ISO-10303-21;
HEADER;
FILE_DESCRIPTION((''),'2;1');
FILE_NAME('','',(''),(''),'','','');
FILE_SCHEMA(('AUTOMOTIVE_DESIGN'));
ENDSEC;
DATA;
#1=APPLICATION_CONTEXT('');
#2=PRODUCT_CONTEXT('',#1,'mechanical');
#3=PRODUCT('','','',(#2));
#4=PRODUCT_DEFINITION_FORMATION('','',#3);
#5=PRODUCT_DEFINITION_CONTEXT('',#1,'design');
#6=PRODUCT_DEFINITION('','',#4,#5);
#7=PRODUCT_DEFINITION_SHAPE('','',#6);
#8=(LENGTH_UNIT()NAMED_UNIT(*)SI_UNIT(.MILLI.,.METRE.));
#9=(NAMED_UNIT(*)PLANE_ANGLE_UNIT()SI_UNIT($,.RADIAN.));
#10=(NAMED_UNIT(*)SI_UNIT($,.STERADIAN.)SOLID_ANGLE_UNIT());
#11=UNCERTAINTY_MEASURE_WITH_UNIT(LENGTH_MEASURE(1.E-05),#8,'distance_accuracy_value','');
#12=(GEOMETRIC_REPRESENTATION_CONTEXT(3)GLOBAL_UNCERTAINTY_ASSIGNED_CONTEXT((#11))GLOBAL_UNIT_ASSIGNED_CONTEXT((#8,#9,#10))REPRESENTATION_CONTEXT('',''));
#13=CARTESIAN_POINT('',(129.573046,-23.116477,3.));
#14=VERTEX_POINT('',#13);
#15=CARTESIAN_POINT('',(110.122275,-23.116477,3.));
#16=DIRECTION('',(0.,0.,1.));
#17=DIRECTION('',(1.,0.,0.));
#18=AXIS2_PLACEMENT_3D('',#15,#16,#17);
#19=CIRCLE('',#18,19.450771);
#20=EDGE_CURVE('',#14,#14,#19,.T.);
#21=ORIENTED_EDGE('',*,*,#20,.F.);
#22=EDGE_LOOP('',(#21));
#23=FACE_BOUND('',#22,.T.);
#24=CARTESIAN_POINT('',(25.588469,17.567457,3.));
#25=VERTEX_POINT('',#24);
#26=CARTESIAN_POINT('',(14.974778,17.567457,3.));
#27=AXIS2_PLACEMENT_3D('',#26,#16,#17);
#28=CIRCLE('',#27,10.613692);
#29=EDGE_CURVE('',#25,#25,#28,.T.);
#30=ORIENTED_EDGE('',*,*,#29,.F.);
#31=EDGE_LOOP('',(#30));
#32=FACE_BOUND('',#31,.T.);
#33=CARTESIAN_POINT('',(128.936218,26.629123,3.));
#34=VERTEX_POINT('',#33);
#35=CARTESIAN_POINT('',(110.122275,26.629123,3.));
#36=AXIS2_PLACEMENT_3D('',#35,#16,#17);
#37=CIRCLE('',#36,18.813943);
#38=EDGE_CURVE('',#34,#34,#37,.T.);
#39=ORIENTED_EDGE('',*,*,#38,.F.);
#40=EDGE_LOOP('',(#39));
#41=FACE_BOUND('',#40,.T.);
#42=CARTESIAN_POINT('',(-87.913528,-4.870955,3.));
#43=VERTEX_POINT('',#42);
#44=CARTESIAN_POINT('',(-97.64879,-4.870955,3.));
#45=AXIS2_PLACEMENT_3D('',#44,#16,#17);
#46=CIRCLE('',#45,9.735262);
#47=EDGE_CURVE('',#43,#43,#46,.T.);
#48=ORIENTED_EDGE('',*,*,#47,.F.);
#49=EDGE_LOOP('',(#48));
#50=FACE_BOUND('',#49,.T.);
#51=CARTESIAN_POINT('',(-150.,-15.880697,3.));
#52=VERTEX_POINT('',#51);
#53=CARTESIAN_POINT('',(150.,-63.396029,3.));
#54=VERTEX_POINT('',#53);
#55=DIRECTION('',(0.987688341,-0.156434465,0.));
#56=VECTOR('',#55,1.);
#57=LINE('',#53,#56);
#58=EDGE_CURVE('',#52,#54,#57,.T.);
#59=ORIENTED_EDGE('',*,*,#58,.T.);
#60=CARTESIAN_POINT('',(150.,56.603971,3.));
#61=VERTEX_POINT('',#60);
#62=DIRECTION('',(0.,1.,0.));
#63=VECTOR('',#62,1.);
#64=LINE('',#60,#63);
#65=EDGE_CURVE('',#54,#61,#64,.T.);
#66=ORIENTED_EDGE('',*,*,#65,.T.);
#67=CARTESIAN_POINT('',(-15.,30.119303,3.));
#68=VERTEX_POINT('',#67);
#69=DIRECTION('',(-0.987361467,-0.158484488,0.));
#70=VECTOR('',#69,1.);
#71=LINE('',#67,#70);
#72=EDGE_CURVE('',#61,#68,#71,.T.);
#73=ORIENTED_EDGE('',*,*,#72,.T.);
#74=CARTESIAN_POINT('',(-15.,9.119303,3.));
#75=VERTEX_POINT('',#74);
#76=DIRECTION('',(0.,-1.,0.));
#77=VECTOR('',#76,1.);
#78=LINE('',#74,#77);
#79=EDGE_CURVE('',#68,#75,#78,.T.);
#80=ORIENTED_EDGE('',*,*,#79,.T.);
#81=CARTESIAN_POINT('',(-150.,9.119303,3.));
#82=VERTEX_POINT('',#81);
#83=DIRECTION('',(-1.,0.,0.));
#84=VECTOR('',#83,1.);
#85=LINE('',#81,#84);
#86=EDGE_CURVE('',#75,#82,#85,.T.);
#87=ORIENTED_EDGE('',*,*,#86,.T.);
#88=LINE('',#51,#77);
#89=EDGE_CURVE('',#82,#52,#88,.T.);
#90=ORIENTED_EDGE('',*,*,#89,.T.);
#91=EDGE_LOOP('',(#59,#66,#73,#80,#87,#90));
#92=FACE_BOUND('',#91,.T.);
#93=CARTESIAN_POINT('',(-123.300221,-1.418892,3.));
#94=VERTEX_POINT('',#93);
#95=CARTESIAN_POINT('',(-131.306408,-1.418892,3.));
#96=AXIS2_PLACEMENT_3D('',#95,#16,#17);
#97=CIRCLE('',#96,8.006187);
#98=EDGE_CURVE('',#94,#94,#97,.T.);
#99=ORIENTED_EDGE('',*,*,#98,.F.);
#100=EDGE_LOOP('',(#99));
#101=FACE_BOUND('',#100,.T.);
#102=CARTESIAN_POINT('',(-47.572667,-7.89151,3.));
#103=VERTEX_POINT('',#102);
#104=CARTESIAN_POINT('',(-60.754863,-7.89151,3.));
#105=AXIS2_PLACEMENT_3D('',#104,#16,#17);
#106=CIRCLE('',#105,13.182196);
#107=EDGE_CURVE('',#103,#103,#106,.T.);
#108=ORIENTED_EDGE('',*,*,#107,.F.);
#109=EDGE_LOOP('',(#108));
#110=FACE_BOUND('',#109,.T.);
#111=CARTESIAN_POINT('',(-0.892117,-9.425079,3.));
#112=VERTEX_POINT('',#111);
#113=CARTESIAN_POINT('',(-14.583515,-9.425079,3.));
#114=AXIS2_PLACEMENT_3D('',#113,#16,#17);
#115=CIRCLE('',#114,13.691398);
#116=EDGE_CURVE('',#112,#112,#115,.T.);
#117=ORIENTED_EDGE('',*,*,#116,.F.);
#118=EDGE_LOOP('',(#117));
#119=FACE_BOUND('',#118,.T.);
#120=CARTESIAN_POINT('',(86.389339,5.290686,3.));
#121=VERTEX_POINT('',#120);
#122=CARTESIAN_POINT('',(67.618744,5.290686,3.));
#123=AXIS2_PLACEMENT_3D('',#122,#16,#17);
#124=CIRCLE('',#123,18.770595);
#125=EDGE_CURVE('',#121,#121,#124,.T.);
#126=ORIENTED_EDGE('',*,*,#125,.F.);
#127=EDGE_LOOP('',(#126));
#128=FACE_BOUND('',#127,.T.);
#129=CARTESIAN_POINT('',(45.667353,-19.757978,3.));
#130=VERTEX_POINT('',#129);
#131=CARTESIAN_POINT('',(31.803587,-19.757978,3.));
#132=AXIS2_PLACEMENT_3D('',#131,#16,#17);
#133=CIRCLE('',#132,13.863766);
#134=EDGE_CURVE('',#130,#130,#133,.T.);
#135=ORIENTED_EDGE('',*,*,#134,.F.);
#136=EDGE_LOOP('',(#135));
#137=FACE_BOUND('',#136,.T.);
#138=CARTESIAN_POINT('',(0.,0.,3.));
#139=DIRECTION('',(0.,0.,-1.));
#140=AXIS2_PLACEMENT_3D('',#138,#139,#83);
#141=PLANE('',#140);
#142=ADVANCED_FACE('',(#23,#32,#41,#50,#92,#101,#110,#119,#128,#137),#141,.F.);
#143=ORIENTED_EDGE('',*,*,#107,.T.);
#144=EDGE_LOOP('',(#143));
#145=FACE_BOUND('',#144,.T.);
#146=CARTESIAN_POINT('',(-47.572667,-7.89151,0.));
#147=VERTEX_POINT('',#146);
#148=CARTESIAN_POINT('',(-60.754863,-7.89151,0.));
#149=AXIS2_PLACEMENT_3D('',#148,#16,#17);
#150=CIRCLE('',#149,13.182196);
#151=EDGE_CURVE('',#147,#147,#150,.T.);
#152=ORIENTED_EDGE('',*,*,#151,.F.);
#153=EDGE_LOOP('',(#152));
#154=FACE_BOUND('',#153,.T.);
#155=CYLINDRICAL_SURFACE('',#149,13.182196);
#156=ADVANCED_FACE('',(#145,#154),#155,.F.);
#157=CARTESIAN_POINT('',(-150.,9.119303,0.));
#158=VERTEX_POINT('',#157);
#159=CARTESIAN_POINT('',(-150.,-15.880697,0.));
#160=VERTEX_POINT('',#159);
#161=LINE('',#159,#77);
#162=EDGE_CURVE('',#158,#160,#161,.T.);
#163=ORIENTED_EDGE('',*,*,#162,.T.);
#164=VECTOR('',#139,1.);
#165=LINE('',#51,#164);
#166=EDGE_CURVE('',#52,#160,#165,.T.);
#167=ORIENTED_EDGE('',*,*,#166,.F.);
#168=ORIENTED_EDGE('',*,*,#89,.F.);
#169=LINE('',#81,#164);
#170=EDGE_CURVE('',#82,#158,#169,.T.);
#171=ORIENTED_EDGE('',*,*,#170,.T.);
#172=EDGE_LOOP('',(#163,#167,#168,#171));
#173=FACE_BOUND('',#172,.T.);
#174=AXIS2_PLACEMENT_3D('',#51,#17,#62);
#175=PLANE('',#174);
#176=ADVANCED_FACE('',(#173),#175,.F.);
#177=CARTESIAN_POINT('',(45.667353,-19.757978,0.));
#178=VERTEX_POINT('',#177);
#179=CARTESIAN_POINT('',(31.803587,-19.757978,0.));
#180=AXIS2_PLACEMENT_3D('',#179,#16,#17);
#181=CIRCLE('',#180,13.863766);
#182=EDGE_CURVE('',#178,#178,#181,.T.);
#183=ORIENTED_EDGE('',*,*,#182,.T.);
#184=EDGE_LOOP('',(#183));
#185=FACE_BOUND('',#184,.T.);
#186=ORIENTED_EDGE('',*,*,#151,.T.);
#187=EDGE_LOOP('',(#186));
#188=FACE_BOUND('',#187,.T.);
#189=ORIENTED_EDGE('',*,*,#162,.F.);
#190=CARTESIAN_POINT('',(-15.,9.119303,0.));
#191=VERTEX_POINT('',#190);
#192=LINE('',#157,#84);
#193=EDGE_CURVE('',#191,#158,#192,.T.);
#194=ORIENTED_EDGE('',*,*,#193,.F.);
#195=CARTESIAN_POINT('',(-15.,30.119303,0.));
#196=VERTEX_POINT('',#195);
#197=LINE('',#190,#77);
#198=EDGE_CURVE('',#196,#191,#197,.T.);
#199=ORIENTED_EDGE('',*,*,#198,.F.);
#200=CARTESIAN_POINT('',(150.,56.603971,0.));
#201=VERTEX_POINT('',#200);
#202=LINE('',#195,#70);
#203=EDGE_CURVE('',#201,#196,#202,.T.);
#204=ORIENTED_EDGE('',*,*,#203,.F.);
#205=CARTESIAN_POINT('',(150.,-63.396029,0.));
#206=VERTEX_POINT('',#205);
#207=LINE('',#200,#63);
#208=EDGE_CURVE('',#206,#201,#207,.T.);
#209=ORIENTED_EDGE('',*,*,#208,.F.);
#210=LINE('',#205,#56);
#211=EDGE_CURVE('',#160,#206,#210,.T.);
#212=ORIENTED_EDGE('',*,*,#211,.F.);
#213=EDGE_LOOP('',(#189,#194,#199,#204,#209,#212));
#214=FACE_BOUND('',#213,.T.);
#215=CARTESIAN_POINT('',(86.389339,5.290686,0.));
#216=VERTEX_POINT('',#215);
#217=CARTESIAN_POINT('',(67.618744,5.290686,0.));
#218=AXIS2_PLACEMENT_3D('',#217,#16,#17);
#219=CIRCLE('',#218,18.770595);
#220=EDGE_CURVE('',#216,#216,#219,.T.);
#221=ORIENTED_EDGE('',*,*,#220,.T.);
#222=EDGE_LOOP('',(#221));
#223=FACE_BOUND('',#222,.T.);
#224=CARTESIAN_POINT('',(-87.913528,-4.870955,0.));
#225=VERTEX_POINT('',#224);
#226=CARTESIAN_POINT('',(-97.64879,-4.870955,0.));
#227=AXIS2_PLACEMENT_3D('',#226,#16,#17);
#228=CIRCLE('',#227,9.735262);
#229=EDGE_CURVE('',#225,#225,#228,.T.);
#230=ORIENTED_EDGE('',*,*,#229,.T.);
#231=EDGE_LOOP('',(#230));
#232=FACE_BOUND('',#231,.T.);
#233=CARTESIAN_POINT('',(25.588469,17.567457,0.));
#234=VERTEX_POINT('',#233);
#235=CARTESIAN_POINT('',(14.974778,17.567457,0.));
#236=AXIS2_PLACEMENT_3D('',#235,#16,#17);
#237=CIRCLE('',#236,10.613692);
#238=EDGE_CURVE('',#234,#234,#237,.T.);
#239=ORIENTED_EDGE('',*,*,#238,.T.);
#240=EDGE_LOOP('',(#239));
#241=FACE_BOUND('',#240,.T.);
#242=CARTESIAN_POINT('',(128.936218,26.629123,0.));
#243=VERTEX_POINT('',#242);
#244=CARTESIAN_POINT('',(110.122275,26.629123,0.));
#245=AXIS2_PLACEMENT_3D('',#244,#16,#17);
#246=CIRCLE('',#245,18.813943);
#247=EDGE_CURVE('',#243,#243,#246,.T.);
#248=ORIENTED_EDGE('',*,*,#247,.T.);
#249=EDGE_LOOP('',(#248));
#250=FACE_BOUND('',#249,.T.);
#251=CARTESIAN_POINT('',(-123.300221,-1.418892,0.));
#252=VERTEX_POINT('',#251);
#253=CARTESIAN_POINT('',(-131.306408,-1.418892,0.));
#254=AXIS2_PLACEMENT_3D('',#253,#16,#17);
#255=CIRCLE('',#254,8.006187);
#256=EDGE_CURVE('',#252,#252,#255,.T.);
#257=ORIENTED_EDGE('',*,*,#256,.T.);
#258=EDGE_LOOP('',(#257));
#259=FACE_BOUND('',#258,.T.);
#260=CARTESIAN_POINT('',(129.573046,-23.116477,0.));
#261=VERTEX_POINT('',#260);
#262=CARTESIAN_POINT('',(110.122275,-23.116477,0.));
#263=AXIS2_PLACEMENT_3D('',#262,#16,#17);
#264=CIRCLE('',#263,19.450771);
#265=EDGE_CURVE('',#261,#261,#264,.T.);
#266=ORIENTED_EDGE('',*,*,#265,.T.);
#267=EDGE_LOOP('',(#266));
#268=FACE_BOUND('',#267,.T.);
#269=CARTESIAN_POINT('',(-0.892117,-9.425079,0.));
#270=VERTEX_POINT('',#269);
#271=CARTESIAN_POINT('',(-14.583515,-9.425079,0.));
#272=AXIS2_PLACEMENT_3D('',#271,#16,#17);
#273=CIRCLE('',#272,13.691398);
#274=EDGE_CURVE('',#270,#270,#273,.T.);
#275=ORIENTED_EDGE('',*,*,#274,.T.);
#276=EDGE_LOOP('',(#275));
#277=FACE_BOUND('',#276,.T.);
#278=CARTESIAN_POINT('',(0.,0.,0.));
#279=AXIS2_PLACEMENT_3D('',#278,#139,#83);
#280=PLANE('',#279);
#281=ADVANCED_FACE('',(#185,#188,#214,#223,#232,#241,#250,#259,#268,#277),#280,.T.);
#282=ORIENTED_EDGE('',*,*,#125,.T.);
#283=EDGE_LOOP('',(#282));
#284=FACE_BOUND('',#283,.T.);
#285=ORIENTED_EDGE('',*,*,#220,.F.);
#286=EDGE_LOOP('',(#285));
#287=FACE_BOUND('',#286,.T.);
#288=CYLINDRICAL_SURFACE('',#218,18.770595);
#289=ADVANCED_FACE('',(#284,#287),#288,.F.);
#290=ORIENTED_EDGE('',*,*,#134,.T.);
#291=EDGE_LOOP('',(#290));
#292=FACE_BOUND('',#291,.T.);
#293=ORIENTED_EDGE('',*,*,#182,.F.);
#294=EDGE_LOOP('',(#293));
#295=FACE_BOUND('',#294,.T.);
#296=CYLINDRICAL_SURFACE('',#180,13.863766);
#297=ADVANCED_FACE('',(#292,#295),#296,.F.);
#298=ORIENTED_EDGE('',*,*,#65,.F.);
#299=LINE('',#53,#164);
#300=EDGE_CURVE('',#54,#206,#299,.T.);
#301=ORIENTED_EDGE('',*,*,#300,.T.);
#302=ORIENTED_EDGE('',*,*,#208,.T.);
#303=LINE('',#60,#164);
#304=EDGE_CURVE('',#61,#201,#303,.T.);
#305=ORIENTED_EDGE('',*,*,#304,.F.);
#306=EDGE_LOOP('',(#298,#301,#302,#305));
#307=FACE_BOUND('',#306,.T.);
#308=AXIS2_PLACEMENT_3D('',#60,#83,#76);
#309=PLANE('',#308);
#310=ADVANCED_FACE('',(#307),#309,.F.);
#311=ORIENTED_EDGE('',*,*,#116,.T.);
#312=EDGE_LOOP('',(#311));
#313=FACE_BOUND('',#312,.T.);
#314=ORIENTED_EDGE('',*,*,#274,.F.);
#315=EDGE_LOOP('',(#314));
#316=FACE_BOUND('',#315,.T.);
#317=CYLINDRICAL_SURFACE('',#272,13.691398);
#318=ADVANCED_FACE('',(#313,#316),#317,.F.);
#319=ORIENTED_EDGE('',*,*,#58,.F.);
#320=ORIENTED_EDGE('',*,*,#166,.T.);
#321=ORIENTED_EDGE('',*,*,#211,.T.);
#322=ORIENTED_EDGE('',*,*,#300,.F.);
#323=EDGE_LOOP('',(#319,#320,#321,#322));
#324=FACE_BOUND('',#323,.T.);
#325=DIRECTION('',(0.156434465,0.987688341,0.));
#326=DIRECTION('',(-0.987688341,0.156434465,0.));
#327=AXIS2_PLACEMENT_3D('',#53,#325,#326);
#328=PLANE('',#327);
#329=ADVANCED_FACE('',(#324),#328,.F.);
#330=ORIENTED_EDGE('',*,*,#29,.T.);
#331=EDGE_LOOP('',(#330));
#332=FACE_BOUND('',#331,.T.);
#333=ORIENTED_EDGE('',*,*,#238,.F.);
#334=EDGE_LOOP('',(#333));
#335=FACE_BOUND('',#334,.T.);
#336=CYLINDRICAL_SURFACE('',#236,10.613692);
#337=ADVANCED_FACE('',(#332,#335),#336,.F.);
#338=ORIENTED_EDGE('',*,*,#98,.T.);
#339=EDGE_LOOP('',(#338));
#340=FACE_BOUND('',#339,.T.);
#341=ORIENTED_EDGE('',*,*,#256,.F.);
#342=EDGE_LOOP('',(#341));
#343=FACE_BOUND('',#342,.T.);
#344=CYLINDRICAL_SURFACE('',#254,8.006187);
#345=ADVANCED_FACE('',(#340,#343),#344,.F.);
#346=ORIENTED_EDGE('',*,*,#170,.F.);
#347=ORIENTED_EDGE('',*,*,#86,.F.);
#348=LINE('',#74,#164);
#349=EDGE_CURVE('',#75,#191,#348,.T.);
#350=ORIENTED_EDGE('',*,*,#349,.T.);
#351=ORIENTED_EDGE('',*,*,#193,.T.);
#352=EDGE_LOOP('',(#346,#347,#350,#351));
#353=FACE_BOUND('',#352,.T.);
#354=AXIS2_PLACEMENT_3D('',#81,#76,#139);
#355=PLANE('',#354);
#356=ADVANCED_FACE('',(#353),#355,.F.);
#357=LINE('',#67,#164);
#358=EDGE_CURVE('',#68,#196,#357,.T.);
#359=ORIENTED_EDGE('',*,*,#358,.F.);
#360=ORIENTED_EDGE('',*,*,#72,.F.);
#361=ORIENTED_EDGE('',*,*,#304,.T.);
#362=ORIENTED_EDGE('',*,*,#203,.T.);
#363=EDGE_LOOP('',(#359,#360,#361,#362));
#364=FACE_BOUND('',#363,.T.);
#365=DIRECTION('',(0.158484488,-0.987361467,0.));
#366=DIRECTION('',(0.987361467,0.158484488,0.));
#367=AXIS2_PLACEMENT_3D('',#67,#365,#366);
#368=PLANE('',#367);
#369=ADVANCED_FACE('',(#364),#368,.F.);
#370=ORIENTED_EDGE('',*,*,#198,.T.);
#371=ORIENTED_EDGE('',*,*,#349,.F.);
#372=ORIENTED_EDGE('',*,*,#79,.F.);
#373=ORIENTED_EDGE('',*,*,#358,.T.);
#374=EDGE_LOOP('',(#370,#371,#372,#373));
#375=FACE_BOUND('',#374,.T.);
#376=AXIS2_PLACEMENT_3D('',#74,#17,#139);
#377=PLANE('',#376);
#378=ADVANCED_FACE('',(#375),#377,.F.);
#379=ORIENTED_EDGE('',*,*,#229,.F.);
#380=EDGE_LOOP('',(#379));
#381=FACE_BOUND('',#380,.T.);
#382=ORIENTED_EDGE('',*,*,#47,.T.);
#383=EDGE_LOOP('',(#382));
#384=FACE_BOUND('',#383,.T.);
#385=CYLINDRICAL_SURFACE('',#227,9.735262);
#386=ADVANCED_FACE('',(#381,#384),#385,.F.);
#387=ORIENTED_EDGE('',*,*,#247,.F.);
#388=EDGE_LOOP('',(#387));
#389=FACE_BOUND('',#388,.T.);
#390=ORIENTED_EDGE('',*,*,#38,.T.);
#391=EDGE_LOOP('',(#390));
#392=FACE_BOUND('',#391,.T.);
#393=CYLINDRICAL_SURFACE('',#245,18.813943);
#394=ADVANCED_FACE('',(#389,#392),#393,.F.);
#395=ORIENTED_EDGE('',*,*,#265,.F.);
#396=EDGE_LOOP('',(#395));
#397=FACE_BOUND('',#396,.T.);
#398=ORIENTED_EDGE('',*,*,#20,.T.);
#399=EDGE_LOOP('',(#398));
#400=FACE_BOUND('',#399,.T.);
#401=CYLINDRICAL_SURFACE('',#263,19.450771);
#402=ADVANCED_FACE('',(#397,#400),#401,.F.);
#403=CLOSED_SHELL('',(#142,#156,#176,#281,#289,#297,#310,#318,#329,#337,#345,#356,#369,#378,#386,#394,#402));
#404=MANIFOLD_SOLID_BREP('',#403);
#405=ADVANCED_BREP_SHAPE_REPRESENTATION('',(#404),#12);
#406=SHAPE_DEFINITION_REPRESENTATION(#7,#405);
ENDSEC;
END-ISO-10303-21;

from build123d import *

# Parameters (mm, degrees)
BOSS_EXTRUDE1_DEPTH = 3
SKETCH2_R           = 8.006187357
SKETCH2_R_2         = 9.735262488
SKETCH2_R_3         = 13.182196279
SKETCH2_R_4         = 13.691397608
SKETCH2_R_5         = 19.450771096
SKETCH2_R_6         = 18.813943393
SKETCH2_R_7         = 18.770594662
SKETCH2_R_8         = 13.863766026
SKETCH2_R_9         = 10.613691542
CUT_EXTRUDE1_DEPTH  = 3


with BuildPart() as part:
    # Sketch1 → Boss-Extrude1 (new body)
    with BuildSketch(Plane.XY):
        Polygon((150, 56.603970605), (150, -63.396029395), (-150, -15.880697298), (-150, 9.119302702), (-15, 9.119302702), (-15, 30.119302702), align=None)
    extrude(amount=BOSS_EXTRUDE1_DEPTH)

    # Sketch2 → Cut-Extrude1 (cut)
    with BuildSketch(Plane.XY.offset(3)):
        with Locations((-131.306408306, -1.418891545)):
            Circle(SKETCH2_R)
        with Locations((-97.648790291, -4.870954931)):
            Circle(SKETCH2_R_2)
        with Locations((-60.754862852, -7.891510394)):
            Circle(SKETCH2_R_3)
        with Locations((-14.583515063, -9.425078902)):
            Circle(SKETCH2_R_4)
        with Locations((110.12227476, -23.116476509)):
            Circle(SKETCH2_R_5)
        with Locations((110.12227476, 26.629123467)):
            Circle(SKETCH2_R_6)
        with Locations((67.618744319, 5.290685885)):
            Circle(SKETCH2_R_7)
        with Locations((31.803586688, -19.757978284)):
            Circle(SKETCH2_R_8)
        with Locations((14.974777681, 17.567457079)):
            Circle(SKETCH2_R_9)
    extrude(amount=-CUT_EXTRUDE1_DEPTH, mode=Mode.SUBTRACT)


solid = part.part
